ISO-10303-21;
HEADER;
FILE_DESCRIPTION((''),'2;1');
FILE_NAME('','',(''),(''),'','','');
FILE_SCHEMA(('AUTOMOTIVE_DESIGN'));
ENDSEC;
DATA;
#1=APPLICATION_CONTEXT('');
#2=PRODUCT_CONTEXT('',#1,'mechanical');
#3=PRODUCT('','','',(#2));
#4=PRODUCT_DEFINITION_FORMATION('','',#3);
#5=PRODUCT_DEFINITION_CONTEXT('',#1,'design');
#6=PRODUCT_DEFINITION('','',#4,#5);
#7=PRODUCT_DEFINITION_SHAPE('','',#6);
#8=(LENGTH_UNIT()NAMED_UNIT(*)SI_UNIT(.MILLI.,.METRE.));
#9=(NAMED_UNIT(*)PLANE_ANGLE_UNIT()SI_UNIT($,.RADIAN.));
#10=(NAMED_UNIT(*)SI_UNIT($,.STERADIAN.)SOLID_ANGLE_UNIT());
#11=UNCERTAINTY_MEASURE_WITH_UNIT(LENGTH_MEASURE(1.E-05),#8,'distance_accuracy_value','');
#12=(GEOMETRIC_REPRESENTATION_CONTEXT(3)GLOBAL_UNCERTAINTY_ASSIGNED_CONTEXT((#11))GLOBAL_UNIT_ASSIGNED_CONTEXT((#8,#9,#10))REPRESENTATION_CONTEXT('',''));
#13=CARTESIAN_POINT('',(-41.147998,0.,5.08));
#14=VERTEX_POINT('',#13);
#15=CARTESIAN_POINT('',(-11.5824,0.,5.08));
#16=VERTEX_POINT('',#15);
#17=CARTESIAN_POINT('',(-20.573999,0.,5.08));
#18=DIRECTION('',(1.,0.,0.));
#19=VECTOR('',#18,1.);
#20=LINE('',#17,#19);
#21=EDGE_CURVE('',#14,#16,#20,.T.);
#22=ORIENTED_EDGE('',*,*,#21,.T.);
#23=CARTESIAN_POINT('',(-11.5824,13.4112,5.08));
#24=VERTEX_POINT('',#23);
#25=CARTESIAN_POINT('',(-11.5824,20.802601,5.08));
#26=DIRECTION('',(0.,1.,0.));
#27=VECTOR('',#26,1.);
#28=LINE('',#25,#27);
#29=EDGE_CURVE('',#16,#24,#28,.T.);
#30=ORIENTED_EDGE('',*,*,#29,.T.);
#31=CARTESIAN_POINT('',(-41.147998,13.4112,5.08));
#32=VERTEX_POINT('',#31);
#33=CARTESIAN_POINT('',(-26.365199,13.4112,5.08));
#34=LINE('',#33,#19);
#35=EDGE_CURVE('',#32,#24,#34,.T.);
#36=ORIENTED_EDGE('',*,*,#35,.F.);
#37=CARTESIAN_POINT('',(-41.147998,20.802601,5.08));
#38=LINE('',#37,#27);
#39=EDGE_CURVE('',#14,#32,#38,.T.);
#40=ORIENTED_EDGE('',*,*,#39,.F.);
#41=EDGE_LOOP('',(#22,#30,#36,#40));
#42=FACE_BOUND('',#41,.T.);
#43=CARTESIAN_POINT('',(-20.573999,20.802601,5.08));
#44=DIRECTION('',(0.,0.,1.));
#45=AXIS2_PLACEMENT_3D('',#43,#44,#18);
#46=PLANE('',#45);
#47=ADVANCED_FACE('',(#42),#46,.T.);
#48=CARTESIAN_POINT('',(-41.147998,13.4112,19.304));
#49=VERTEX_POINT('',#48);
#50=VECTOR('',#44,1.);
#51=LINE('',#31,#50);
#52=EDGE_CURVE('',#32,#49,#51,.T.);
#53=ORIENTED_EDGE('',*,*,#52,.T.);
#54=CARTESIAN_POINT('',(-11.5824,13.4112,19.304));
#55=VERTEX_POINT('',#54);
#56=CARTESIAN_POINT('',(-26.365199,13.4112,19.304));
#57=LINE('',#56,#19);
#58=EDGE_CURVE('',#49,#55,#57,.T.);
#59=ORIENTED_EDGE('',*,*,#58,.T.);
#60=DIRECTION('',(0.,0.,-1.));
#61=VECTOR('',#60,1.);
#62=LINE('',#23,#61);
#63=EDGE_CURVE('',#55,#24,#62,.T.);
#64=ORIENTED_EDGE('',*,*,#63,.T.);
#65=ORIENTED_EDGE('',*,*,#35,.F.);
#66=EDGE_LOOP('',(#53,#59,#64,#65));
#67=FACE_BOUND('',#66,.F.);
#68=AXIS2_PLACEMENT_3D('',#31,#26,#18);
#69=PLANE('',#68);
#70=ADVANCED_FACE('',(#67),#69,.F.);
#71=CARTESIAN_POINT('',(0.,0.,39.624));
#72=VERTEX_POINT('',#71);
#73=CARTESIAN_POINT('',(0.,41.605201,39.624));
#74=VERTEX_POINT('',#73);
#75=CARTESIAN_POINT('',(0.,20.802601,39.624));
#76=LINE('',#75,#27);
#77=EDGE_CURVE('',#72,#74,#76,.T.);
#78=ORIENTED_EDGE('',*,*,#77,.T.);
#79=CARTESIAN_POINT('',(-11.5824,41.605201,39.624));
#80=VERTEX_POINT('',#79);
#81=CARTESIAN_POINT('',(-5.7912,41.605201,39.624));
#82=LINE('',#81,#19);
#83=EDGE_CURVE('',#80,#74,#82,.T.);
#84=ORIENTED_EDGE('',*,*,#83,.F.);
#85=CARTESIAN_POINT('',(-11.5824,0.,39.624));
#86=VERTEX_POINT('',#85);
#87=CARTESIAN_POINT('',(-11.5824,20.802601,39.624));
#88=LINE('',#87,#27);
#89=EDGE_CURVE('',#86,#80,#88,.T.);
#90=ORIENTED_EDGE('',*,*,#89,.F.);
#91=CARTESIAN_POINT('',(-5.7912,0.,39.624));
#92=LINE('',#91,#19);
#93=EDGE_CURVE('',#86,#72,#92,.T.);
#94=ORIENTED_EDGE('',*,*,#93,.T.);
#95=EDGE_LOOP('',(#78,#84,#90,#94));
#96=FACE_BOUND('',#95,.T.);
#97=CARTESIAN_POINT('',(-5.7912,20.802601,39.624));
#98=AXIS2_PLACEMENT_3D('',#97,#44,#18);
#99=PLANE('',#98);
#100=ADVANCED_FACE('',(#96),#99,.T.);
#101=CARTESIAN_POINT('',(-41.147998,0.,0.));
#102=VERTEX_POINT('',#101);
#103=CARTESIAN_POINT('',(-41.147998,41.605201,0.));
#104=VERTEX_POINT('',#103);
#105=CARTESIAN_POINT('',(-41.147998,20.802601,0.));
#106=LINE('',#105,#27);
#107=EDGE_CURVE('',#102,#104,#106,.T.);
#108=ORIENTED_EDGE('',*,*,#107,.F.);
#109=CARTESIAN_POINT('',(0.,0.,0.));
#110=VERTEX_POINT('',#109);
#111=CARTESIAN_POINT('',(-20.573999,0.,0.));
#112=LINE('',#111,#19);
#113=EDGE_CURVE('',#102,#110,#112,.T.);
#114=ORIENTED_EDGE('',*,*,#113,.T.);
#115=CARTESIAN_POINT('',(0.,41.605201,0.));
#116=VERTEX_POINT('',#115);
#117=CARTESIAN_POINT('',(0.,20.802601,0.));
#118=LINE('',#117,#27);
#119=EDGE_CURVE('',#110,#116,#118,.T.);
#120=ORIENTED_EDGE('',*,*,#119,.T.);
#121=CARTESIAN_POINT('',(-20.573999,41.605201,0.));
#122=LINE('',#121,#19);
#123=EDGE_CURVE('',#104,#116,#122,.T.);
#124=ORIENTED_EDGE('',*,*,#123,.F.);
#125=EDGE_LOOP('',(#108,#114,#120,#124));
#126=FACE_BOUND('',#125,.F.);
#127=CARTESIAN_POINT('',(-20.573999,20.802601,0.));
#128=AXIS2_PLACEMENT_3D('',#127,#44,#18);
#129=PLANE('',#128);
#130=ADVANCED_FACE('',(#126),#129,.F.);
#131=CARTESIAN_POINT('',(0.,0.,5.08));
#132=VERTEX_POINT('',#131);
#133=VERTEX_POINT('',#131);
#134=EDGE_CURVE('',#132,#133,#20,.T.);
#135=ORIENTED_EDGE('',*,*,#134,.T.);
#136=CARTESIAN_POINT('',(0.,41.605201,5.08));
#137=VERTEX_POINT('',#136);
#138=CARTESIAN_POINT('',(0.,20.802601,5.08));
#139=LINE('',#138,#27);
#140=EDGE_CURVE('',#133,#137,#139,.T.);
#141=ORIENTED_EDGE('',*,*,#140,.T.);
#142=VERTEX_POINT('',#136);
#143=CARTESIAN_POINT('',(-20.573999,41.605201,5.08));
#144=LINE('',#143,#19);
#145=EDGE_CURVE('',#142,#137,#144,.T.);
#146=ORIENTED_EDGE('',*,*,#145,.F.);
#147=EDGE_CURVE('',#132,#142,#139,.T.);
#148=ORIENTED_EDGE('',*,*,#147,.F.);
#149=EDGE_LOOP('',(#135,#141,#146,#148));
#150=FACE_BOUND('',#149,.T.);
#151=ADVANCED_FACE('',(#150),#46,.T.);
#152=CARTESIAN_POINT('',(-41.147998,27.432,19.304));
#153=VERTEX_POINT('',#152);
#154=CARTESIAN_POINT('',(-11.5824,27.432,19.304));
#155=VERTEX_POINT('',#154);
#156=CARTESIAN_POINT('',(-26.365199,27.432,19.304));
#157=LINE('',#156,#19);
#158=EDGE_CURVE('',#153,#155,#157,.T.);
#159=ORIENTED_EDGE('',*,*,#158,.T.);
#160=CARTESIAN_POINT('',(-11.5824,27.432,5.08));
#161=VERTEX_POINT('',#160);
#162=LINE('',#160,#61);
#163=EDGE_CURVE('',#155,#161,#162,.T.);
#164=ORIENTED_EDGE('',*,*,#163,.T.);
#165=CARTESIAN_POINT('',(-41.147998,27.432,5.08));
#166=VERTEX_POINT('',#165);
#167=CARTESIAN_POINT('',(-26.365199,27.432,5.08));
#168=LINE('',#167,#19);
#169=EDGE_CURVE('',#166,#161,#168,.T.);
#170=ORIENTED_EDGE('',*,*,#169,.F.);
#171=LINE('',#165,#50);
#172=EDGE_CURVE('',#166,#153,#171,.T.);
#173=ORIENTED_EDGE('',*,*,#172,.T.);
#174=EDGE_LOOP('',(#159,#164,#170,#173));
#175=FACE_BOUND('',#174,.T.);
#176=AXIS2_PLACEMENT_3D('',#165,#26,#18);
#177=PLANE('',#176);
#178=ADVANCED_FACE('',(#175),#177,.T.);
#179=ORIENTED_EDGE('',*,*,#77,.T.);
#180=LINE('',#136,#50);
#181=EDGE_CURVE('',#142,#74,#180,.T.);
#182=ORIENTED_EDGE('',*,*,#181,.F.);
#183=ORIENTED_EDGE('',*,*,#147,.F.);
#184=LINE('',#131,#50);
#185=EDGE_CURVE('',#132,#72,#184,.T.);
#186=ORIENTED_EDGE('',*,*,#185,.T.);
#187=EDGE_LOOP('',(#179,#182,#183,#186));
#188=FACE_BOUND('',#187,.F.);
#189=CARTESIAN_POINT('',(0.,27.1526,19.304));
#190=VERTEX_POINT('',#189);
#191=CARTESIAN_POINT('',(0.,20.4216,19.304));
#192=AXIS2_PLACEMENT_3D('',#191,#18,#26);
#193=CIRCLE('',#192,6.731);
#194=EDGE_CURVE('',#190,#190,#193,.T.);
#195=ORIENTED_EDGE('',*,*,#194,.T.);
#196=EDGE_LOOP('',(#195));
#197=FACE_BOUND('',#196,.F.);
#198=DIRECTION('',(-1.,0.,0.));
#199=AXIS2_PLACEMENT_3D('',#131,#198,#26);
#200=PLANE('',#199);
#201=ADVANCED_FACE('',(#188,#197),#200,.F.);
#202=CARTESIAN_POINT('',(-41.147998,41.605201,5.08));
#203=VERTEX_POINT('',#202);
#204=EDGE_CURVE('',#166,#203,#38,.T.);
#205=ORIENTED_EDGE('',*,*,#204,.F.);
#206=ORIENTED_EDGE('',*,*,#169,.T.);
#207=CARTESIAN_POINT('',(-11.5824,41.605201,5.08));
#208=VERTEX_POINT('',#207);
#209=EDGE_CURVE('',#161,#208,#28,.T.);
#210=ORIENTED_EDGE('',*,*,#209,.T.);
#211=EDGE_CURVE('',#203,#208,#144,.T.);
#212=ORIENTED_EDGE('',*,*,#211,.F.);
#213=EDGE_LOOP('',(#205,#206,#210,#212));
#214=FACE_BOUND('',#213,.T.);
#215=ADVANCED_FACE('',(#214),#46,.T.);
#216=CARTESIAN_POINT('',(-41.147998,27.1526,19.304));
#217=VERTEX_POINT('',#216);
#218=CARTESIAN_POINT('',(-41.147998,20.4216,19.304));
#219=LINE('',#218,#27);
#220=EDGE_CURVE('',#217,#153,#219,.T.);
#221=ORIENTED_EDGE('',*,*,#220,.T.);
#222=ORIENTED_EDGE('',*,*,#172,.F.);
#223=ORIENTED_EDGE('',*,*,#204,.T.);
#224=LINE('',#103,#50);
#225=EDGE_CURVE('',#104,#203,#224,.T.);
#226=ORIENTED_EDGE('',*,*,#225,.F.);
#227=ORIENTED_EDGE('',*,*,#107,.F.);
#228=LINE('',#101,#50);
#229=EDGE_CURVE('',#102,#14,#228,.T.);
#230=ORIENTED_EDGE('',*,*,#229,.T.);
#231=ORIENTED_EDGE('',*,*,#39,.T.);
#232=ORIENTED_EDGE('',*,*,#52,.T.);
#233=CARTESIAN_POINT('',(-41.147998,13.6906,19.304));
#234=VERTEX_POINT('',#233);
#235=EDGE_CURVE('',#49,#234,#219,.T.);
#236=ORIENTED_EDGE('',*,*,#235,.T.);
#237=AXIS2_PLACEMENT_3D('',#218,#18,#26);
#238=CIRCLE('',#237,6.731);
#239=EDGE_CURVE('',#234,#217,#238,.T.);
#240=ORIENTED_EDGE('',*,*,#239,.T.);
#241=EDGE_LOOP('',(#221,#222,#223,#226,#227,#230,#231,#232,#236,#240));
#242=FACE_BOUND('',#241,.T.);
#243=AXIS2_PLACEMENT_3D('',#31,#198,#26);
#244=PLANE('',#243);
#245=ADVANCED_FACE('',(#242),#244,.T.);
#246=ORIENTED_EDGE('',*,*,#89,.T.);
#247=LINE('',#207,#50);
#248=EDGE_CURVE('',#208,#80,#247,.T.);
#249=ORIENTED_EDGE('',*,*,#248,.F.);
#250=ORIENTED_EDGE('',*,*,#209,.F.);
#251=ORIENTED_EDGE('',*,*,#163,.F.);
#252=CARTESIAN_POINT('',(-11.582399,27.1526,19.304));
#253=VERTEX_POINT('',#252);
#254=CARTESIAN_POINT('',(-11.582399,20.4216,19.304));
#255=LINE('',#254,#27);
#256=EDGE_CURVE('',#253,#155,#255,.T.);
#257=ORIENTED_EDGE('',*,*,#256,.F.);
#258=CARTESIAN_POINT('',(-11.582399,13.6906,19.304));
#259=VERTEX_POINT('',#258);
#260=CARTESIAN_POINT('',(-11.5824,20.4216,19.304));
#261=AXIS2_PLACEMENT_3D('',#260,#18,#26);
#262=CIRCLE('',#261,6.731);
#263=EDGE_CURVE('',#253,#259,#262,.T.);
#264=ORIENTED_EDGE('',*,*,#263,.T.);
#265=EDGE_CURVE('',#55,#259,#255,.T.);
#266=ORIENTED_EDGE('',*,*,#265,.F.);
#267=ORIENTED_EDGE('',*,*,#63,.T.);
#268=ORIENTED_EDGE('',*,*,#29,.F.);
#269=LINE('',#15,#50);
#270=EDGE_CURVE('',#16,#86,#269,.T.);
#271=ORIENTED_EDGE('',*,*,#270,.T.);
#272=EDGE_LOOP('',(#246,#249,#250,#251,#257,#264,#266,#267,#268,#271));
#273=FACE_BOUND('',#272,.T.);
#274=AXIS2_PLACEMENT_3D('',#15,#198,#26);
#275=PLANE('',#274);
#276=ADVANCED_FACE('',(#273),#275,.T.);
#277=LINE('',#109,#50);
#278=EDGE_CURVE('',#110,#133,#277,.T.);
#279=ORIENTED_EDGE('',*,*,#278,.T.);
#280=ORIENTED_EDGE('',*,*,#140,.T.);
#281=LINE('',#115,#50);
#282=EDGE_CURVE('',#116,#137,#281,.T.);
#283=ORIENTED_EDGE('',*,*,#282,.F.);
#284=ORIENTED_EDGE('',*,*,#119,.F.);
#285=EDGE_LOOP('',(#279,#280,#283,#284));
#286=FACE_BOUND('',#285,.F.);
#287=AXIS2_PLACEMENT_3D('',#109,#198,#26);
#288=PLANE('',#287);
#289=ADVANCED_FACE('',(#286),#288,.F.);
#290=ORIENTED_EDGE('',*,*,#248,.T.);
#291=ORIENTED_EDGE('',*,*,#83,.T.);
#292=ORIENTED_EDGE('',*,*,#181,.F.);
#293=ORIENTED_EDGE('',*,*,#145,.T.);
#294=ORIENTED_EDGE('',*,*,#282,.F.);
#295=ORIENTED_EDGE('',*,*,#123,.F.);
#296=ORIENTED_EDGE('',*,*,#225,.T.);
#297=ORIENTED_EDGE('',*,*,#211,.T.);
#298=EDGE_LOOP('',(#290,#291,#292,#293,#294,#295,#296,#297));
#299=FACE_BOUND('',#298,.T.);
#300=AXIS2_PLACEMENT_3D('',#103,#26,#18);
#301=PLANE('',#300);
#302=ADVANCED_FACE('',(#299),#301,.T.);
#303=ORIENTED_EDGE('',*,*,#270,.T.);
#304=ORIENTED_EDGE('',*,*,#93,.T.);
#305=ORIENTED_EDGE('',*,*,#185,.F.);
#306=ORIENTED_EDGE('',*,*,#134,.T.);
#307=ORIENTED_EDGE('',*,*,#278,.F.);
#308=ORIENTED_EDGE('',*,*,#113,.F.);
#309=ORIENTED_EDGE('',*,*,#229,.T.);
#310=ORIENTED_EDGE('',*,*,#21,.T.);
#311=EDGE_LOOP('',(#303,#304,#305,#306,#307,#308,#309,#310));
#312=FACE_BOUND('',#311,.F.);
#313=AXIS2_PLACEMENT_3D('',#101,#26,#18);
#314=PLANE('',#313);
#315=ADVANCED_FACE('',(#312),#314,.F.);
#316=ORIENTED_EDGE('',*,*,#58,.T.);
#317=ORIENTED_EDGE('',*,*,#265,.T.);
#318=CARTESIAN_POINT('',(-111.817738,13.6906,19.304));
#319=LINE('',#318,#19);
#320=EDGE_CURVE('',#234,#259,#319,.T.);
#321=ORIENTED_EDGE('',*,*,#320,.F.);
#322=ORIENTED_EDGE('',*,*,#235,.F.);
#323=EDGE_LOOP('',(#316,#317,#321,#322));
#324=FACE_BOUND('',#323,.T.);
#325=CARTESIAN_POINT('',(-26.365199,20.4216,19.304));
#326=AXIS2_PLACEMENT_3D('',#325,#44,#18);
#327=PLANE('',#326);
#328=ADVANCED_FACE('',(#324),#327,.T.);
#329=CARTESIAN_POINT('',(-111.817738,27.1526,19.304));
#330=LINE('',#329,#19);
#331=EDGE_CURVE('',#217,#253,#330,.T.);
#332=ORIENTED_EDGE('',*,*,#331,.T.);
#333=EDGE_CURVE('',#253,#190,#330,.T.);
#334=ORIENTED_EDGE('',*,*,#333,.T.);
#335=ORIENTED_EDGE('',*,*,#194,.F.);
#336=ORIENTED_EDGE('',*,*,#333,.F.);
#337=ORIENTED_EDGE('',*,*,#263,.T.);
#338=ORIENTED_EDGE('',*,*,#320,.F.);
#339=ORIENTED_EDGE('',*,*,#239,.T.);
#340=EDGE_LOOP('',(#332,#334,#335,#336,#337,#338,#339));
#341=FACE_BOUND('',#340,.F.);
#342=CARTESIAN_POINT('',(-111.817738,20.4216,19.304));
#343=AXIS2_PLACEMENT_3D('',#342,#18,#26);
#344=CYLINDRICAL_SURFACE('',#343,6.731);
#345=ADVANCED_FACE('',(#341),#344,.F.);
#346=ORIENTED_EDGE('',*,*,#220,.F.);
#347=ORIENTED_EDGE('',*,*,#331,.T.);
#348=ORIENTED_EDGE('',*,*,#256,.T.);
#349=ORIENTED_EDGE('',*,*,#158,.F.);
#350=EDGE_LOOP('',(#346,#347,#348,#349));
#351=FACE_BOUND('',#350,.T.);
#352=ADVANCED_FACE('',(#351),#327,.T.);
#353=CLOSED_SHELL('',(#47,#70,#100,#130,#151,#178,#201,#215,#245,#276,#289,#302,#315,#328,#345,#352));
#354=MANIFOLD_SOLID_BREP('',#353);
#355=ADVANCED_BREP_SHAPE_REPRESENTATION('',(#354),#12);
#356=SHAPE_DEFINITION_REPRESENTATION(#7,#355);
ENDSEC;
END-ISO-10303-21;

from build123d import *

# Parameters (mm, degrees)
F0_W     = 41.147999
F0_H     = 41.605201
F1_DEPTH = 5.08
F2_W     = 11.5824
F2_H     = 41.605201
F3_DEPTH = 34.544
F4_W     = 29.565599
F4_H     = 14.0208
F5_DEPTH = 14.224
F7_D     = 13.462


with BuildPart() as f1:
    # F0 (on Top) → F1 (new body)
    with BuildSketch(Plane.XY):
        with Locations((-20.573999, 20.802601)):
            Rectangle(F0_W, F0_H)
    extrude(amount=F1_DEPTH)

    # F2 (on face) → F3 (join)
    with BuildSketch(Plane.XY.offset(5.08)):
        with Locations((-5.7912, 20.802601)):
            Rectangle(F2_W, F2_H)
    extrude(amount=F3_DEPTH)

    # F4 (on face) → F5 (join)
    with BuildSketch(Plane.XY.offset(5.08)):
        with Locations((-26.365199, 20.4216)):
            Rectangle(F4_W, F4_H)
    extrude(amount=F5_DEPTH)

    # F7 (through all)
    with Locations(Plane(origin=(-41.147999, 0, 0), x_dir=(0, -1, 0), z_dir=(-1, 0, 0))):
        with Locations((-20.4216, 19.304)):
            Hole(F7_D / 2)


solid = f1.part
